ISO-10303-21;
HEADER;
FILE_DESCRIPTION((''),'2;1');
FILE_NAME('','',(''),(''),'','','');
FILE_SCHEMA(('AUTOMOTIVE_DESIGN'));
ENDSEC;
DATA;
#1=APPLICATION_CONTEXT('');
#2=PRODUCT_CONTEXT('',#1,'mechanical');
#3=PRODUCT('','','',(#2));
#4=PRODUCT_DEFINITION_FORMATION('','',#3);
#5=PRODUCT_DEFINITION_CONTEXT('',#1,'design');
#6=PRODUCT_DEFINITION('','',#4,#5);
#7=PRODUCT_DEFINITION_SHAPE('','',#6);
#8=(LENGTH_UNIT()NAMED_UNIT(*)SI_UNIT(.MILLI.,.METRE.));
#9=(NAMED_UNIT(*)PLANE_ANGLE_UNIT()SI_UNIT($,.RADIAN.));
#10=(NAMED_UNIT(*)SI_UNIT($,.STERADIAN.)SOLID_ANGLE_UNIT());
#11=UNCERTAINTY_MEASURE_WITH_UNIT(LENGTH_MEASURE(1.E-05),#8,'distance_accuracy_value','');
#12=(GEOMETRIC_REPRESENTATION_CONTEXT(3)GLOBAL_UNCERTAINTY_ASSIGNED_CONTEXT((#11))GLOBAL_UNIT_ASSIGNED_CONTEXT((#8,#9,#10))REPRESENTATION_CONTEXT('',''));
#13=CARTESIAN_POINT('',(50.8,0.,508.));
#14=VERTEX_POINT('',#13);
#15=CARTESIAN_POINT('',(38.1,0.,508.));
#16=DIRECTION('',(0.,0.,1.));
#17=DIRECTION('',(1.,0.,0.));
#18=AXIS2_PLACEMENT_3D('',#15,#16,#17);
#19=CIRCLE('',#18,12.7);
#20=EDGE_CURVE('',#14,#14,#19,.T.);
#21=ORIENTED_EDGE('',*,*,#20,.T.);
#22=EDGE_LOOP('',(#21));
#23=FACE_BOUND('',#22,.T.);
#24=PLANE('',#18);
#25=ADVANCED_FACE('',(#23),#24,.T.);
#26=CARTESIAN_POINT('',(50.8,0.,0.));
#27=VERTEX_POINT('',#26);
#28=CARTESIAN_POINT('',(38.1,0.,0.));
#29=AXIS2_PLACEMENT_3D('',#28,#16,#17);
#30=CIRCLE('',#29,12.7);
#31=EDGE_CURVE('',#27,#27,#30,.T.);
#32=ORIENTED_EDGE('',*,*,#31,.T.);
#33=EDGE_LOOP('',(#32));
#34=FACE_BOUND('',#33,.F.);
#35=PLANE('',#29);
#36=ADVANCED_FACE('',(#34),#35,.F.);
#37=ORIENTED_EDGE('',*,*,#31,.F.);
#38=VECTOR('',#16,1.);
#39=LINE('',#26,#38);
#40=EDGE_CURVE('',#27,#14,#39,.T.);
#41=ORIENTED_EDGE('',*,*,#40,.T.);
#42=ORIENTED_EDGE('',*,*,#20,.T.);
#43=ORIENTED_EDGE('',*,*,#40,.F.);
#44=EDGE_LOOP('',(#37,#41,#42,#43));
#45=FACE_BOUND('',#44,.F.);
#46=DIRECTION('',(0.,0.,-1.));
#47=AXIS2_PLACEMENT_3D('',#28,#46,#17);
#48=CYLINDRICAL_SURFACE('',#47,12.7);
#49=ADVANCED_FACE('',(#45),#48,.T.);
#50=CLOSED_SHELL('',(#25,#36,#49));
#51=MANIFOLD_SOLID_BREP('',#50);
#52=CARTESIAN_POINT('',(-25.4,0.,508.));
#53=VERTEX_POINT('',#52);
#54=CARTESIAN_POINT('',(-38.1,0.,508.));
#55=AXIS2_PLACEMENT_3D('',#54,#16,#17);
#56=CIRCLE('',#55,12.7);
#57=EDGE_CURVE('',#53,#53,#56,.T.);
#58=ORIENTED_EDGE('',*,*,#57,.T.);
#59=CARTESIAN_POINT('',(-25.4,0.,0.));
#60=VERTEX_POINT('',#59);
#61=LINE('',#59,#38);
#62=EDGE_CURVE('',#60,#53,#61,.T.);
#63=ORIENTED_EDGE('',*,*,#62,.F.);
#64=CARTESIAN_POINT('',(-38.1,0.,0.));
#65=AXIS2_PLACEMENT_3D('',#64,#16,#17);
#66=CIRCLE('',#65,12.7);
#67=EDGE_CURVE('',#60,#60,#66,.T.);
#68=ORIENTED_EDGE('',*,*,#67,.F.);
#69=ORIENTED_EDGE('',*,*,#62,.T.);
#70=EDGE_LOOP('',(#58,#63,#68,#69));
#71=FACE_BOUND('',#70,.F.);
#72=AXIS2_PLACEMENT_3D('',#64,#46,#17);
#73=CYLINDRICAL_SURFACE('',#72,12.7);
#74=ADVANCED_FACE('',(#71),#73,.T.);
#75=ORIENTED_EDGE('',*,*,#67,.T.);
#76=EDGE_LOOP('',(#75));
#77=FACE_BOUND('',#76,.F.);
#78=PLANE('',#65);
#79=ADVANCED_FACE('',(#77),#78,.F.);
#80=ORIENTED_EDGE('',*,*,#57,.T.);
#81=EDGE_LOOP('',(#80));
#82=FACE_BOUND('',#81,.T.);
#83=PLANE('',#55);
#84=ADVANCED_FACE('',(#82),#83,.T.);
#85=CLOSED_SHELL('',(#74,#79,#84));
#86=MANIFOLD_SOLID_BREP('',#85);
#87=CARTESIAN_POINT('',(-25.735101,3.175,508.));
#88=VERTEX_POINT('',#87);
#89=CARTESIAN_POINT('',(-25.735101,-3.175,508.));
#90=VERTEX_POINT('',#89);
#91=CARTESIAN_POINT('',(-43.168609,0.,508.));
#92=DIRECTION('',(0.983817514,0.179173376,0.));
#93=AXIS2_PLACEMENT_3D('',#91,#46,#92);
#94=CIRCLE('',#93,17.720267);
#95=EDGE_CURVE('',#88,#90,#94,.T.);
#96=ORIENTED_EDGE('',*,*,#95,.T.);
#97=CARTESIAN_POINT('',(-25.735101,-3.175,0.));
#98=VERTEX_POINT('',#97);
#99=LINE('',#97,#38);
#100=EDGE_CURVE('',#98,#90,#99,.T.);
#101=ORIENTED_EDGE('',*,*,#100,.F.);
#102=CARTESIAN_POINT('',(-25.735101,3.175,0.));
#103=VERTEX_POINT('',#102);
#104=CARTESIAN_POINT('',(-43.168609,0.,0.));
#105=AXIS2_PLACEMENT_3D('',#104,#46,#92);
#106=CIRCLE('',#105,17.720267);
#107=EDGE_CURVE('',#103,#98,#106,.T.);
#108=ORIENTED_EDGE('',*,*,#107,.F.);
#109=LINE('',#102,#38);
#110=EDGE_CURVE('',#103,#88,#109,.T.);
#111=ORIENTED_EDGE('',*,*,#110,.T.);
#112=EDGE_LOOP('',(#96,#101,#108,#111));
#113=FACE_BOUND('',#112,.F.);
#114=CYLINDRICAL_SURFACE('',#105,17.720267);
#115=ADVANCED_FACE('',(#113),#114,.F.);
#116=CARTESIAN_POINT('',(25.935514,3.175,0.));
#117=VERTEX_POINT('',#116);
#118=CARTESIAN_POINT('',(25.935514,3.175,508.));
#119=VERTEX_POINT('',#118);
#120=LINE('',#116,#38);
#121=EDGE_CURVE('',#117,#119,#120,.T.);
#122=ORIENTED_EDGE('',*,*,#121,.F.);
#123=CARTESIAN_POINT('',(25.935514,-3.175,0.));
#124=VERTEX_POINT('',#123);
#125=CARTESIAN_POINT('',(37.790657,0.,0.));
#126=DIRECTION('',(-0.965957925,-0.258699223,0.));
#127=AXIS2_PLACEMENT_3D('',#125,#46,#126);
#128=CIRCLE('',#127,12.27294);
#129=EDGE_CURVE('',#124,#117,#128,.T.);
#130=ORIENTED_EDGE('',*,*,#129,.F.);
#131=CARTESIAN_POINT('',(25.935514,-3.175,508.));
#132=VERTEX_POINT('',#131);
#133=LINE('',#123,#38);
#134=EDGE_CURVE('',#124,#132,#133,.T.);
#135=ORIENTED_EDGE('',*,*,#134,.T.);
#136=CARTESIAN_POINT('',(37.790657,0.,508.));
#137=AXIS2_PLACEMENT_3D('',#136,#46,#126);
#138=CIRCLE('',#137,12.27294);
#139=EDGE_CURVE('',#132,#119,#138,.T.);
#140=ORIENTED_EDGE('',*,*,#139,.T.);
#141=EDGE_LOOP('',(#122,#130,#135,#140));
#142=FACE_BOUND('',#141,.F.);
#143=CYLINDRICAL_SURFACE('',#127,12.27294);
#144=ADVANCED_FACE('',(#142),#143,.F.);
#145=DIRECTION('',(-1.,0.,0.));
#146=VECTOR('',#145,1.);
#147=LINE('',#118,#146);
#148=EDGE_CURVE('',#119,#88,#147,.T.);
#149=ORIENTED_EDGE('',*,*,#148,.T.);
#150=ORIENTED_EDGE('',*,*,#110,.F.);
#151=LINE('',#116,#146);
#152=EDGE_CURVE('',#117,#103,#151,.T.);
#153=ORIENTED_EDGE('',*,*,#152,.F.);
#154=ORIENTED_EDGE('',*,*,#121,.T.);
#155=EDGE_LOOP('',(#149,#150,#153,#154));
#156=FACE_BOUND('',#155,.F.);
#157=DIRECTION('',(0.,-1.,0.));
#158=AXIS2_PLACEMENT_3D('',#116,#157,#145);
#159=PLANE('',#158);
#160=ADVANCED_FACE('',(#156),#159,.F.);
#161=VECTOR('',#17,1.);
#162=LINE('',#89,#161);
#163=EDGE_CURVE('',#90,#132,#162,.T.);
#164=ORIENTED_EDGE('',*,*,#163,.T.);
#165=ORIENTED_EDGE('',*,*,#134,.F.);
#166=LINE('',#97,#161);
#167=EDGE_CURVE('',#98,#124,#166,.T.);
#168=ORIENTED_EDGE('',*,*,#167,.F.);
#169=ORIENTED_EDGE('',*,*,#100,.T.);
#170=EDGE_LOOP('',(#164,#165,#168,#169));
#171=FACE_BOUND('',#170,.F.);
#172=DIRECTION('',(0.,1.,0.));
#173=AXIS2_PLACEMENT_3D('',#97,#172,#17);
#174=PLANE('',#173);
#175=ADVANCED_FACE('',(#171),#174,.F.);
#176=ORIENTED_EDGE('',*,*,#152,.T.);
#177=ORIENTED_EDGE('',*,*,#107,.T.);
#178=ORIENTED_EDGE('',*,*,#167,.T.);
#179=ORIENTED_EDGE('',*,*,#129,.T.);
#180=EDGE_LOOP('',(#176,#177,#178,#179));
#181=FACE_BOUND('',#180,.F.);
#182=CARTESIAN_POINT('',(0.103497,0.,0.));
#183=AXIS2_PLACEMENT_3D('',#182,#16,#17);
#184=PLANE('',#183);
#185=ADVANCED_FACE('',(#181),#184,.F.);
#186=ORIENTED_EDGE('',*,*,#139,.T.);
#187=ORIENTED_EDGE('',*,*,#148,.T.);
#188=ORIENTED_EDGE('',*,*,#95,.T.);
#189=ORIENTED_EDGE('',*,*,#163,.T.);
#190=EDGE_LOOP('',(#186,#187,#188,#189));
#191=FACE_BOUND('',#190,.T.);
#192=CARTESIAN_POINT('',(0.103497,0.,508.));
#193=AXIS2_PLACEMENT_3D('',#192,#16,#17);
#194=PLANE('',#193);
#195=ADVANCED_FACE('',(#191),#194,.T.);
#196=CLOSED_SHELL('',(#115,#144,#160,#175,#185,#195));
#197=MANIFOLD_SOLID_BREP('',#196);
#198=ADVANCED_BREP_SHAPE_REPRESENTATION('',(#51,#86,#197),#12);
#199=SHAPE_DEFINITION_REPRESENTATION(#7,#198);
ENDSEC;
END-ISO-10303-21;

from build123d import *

# Parameters (mm, degrees)
F0_R     = 12.7
F2_DEPTH = 508


with BuildPart() as f2:
    # F0 (on Top) → F2 (new body)
    with BuildSketch(Plane.XY):
        with Locations((-38.1, 0)):
            Circle(F0_R)
    extrude(amount=F2_DEPTH)


with BuildPart() as f2b:
    # F0 (on Top) → F2, piece 2 (new body)
    with BuildSketch(Plane.XY):
        with Locations((38.1, 0)):
            Circle(F0_R)
    extrude(amount=F2_DEPTH)


with BuildPart() as f2c:
    # F1 (on Top) → F2, piece 3 (new body)
    with BuildSketch(Plane.XY):
        with BuildLine():
            ThreePointArc((-25.7351007313, 3.175), (-25.4483427685, 0), (-25.7351007313, -3.175))
            Line((-25.7351007313, -3.175), (25.9355138987, -3.175))
            ThreePointArc((25.9355138987, -3.175), (25.517717555, 0), (25.9355138987, 3.175))
            Line((25.9355138987, 3.175), (-25.7351007313, 3.175))
        make_face()
    extrude(amount=F2_DEPTH)


solid = Compound([f2.part, f2b.part, f2c.part])
